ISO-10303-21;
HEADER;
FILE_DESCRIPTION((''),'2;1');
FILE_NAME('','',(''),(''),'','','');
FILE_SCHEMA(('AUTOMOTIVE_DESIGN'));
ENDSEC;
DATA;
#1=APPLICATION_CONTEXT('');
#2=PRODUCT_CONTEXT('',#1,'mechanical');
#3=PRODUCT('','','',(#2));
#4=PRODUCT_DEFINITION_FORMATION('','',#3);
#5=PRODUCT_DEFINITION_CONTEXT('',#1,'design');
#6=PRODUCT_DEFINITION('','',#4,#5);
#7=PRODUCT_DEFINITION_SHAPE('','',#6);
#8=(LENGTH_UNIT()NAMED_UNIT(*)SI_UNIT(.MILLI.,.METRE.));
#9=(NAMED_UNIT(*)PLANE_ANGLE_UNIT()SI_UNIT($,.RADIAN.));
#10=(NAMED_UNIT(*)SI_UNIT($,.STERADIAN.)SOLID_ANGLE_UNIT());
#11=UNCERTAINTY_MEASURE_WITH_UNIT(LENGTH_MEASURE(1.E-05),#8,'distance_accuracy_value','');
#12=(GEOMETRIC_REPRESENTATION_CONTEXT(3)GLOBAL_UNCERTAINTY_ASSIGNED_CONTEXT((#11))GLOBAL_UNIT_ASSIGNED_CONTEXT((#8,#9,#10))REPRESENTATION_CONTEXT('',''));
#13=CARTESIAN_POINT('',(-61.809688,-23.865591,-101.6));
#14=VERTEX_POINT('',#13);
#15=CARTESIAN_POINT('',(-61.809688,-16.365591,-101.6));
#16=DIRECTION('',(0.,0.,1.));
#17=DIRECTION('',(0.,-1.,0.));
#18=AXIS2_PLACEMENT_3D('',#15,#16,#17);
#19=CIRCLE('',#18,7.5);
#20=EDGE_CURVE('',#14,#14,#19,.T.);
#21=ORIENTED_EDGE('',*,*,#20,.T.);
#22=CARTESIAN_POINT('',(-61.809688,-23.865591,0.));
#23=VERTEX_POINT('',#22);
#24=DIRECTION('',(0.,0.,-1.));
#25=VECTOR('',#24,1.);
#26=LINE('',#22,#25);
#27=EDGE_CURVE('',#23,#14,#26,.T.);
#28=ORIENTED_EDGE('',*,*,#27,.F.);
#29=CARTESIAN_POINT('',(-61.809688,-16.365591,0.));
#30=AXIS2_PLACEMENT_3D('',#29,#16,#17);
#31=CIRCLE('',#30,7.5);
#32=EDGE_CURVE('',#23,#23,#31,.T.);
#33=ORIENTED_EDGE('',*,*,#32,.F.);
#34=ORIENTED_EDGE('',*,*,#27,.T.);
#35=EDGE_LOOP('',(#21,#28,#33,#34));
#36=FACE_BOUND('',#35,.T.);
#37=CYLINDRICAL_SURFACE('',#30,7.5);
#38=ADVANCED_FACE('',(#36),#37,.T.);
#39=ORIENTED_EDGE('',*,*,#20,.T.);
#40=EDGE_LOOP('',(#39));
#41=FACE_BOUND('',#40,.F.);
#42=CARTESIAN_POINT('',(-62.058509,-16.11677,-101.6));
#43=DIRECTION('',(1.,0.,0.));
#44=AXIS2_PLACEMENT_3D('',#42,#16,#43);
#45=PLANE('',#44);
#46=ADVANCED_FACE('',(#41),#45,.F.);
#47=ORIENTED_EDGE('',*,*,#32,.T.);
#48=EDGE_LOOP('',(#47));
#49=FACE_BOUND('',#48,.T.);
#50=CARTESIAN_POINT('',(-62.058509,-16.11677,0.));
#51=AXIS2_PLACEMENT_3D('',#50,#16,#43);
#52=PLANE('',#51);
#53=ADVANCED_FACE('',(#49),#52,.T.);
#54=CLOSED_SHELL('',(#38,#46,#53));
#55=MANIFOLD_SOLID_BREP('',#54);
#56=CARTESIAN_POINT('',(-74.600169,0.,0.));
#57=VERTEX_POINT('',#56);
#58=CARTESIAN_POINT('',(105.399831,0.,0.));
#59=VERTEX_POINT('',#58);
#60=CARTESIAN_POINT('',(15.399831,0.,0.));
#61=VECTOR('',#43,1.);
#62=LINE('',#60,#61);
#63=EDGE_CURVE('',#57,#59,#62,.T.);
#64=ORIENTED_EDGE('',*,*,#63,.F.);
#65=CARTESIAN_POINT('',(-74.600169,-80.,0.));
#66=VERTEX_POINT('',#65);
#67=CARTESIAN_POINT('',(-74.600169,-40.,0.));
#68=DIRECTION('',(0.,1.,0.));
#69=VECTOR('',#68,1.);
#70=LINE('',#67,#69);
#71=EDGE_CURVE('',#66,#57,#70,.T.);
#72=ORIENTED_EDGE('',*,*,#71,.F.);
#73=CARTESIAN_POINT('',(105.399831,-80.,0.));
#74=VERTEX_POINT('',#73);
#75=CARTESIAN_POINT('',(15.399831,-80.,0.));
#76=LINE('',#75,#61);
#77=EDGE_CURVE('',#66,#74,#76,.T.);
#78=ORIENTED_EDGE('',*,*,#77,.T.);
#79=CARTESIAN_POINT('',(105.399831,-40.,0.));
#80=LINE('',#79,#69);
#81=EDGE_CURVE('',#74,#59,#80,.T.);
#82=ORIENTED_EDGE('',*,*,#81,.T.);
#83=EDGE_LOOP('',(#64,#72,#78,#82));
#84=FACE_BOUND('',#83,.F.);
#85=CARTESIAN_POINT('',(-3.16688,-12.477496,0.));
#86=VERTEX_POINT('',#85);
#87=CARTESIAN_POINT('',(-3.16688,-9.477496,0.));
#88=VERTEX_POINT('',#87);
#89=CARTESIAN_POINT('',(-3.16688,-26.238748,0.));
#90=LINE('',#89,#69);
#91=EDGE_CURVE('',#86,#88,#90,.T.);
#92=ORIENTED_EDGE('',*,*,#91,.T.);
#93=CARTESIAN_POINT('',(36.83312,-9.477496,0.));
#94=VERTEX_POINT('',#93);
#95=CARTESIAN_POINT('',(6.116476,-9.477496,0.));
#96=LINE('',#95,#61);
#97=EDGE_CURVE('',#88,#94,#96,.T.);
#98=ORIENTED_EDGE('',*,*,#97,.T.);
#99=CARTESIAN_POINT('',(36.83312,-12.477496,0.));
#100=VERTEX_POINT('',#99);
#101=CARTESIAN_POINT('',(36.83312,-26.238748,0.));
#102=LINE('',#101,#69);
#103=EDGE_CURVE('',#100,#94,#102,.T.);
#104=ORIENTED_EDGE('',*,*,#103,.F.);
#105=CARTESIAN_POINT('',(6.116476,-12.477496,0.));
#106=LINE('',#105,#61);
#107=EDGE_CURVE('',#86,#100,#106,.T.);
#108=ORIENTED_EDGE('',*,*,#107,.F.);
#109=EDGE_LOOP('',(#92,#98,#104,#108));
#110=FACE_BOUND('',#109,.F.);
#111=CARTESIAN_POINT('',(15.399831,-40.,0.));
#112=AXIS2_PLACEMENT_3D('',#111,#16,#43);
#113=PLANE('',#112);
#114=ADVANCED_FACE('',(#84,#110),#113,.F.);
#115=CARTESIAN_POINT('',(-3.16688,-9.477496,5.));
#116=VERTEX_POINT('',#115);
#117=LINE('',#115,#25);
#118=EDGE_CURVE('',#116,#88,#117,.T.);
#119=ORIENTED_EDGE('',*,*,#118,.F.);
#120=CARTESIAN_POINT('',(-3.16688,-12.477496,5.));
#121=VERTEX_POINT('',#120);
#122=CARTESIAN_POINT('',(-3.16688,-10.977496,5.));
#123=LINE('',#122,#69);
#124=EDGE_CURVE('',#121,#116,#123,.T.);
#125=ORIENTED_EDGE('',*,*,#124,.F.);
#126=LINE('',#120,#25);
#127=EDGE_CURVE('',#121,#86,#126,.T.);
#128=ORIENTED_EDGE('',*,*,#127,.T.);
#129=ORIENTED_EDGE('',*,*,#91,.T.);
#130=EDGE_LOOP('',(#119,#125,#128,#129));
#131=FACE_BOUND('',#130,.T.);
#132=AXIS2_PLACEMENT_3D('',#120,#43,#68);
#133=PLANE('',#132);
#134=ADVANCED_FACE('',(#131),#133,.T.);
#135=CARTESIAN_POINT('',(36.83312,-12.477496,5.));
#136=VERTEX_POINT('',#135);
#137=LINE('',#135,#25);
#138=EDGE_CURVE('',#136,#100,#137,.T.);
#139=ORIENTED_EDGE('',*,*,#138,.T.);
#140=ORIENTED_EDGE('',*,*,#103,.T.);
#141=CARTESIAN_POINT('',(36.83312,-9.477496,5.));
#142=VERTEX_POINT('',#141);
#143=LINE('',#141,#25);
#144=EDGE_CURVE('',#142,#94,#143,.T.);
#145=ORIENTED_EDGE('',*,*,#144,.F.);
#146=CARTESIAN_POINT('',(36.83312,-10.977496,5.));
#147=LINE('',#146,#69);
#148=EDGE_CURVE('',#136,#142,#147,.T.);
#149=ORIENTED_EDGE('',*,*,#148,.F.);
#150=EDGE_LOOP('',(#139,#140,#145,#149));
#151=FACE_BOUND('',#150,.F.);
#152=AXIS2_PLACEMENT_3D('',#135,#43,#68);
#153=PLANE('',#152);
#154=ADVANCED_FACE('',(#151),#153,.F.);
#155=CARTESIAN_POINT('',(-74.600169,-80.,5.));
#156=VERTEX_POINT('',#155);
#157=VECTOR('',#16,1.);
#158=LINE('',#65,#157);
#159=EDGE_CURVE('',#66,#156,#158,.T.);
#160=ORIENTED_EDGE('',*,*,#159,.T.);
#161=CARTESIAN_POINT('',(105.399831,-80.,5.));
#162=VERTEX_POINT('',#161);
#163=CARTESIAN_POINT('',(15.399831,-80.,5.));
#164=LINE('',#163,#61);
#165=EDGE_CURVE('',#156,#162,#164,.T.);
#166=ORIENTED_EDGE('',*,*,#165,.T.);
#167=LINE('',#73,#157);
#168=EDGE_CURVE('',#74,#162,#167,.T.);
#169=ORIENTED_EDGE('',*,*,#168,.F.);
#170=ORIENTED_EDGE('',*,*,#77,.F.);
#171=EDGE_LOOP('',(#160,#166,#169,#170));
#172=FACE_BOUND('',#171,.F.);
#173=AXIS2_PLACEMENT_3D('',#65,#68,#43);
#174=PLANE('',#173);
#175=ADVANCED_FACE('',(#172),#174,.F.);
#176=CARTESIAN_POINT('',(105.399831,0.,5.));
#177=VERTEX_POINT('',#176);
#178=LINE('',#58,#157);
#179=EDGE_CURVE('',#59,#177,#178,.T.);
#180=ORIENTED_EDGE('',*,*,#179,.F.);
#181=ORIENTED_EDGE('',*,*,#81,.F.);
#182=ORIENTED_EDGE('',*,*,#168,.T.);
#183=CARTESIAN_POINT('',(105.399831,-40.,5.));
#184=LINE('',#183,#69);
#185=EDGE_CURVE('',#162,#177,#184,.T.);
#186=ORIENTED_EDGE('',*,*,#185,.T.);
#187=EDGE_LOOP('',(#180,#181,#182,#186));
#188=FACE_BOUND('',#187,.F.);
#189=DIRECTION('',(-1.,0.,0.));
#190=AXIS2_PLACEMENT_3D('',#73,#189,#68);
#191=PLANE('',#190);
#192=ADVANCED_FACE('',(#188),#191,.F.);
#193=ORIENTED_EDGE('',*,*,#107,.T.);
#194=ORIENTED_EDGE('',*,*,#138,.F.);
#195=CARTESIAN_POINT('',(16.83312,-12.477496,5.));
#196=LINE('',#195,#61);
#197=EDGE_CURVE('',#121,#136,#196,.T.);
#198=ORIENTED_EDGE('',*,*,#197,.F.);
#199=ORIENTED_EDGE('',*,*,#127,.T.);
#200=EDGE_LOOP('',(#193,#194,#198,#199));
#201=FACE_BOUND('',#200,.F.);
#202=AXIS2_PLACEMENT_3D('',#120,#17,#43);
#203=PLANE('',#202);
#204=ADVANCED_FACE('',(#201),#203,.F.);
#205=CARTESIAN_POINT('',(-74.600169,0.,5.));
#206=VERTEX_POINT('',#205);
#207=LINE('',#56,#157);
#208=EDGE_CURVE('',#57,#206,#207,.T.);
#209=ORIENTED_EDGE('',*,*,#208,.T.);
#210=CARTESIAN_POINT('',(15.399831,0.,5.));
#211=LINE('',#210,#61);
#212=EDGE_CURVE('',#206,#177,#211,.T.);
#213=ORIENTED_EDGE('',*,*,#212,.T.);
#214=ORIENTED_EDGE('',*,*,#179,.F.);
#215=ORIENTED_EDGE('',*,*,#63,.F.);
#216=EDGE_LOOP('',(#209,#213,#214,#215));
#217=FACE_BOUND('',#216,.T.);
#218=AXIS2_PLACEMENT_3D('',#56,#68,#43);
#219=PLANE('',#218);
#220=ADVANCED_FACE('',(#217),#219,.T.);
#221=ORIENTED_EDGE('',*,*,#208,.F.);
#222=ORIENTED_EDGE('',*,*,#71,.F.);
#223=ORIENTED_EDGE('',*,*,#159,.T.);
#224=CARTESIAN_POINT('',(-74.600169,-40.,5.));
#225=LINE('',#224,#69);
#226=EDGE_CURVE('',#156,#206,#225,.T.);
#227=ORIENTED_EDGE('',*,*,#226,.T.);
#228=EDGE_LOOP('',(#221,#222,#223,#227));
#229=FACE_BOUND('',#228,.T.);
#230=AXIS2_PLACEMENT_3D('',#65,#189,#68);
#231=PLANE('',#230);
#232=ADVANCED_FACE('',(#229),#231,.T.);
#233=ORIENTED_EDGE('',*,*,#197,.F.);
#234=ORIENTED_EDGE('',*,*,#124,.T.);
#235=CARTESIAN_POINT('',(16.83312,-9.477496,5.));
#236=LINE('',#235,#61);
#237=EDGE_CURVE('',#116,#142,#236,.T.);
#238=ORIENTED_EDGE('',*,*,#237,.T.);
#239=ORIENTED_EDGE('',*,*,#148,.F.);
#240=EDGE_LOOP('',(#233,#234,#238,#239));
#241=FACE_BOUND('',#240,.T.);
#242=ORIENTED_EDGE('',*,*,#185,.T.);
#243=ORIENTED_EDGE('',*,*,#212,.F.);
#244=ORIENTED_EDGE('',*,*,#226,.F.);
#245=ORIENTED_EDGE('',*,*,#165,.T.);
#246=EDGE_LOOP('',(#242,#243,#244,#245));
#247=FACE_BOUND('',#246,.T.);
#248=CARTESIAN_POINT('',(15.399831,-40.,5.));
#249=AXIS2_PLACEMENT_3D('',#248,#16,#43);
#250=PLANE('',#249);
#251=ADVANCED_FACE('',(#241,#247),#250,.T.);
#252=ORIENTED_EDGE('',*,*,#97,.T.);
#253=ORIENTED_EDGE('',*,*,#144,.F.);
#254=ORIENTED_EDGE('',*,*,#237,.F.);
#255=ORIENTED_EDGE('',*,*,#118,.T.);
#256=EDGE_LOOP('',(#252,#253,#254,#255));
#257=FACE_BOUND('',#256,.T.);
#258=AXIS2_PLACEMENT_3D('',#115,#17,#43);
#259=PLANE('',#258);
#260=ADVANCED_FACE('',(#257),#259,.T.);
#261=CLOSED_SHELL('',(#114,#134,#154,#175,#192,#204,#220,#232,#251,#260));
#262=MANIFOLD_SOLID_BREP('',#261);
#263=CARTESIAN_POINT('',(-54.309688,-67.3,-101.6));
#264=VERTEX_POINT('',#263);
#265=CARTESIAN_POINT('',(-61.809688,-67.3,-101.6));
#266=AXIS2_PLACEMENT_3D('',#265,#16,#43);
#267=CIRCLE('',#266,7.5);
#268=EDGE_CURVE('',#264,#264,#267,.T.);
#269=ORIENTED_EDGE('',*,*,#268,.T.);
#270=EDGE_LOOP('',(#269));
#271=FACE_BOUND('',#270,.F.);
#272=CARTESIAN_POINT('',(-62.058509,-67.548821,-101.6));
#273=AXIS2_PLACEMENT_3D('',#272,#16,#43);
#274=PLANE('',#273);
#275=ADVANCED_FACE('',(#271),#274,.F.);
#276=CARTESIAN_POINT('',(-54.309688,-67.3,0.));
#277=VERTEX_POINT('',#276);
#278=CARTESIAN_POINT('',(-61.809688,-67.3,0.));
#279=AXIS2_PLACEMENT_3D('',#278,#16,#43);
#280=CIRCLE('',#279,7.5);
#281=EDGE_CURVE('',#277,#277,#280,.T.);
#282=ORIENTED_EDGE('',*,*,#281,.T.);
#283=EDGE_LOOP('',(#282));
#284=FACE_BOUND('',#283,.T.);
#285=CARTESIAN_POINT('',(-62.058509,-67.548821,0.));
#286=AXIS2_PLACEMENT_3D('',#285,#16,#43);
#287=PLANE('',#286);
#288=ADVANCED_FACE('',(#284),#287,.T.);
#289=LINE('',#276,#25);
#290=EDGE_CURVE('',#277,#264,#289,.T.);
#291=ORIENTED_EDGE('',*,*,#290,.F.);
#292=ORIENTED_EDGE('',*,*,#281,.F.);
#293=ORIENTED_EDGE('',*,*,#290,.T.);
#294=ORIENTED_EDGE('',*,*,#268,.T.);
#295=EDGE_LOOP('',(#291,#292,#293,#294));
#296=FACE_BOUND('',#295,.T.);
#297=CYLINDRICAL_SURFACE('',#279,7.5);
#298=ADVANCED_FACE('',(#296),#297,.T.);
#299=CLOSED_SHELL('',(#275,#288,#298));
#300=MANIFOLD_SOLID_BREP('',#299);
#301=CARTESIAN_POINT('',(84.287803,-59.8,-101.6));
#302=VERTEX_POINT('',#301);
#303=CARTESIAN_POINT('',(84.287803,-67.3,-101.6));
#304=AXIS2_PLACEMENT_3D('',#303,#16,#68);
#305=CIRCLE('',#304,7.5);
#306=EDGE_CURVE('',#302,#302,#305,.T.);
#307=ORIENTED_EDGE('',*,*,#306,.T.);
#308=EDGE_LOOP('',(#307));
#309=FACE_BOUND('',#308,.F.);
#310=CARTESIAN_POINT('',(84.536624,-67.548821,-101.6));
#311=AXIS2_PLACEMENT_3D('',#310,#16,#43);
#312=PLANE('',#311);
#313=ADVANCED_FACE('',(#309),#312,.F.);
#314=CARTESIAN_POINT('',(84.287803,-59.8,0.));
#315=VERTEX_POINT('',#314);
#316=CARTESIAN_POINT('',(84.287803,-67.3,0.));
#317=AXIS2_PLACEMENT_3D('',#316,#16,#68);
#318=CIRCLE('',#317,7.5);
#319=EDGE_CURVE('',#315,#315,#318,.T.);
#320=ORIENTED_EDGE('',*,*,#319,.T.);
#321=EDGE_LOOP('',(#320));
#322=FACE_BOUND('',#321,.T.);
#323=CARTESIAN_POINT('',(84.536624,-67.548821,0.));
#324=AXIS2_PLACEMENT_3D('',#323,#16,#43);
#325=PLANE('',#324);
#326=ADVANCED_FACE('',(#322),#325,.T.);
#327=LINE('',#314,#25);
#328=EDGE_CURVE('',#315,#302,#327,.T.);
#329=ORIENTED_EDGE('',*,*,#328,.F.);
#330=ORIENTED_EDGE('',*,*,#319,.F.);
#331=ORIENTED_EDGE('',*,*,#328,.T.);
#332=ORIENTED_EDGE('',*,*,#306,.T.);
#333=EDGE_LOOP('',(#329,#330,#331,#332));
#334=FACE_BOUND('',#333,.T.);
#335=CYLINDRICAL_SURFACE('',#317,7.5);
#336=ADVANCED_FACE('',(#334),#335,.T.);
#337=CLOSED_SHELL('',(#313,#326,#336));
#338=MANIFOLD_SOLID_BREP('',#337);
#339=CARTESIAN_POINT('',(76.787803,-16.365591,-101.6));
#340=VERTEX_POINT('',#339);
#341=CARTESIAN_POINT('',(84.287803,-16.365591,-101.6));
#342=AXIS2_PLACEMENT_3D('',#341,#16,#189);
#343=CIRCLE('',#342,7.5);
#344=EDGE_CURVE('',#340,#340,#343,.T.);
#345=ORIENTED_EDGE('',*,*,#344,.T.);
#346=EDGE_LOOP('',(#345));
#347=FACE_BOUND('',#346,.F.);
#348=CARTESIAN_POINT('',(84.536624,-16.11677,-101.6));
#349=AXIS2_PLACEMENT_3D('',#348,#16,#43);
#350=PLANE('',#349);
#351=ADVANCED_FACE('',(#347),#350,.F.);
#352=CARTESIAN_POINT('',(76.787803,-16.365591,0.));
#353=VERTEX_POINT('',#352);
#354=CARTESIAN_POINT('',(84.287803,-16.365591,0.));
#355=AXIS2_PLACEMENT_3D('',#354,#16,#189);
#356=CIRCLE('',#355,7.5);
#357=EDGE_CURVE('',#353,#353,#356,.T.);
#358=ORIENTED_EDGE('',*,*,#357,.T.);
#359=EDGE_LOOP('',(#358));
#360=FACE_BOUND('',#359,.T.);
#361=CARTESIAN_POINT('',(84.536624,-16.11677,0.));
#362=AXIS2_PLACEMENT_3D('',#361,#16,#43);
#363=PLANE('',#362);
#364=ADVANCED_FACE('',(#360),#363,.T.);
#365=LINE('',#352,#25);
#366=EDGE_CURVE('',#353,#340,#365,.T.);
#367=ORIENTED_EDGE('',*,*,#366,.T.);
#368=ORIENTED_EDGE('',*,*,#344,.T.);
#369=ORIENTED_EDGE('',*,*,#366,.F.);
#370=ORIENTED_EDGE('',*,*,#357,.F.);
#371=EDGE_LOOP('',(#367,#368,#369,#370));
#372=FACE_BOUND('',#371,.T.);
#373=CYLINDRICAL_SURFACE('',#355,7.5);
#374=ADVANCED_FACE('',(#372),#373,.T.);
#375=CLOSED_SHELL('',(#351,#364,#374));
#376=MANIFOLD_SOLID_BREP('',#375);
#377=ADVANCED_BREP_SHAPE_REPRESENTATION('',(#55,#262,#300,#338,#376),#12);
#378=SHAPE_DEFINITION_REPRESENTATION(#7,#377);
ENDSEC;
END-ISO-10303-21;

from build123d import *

# Parameters (mm, degrees)
F1_DEPTH = 101.6
F0_W     = 180
F0_H     = 80
F2_DEPTH = 5
F3_W     = 40
F3_H     = 3
F4_DEPTH = 25.4


with BuildPart() as f1:
    # F0 (on Top) → F1 (new body)
    with BuildSketch(Plane.XY):
        with BuildLine():
            ThreePointArc((-61.8096877346, -59.8), (-67.1129885935, -72.6033008589), (-54.3096877346, -67.3))
            Line((-54.3096877346, -67.3), (-61.8096877346, -67.3))
            Line((-61.8096877346, -67.3), (-61.8096877346, -59.8))
        make_face()
        with BuildLine():
            Line((-61.8096877346, -67.3), (-54.3096877346, -67.3))
            ThreePointArc((-54.3096877346, -67.3), (-56.5063868757, -61.9966991411), (-61.8096877346, -59.8))
            Line((-61.8096877346, -59.8), (-61.8096877346, -67.3))
        make_face()
    extrude(amount=-F1_DEPTH)


with BuildPart() as f1b:
    # F0 (on Top) → F1, piece 2 (new body)
    with BuildSketch(Plane.XY):
        with BuildLine():
            Line((84.2878028534, -67.3), (76.7878028534, -67.3))
            ThreePointArc((76.7878028534, -67.3), (84.2878028534, -74.8), (91.7878028534, -67.3))
            ThreePointArc((91.7878028534, -67.3), (89.5911037123, -61.9966991411), (84.2878028534, -59.8))
            Line((84.2878028534, -59.8), (84.2878028534, -67.3))
        make_face()
        with BuildLine():
            ThreePointArc((84.2878028534, -59.8), (78.9845019945, -61.9966991411), (76.7878028534, -67.3))
            Line((76.7878028534, -67.3), (84.2878028534, -67.3))
            Line((84.2878028534, -67.3), (84.2878028534, -59.8))
        make_face()
    extrude(amount=-F1_DEPTH)


with BuildPart() as f1c:
    # F0 (on Top) → F1, piece 3 (new body)
    with BuildSketch(Plane.XY):
        with BuildLine():
            Line((84.2878028534, -16.3655914366), (84.2878028534, -23.8655914366))
            ThreePointArc((84.2878028534, -23.8655914366), (89.5911037123, -21.6688922955), (91.7878028534, -16.3655914366))
            ThreePointArc((91.7878028534, -16.3655914366), (84.2878028534, -8.8655914366), (76.7878028534, -16.3655914366))
            Line((76.7878028534, -16.3655914366), (84.2878028534, -16.3655914366))
        make_face()
        with BuildLine():
            ThreePointArc((76.7878028534, -16.3655914366), (78.9845019945, -21.6688922955), (84.2878028534, -23.8655914366))
            Line((84.2878028534, -23.8655914366), (84.2878028534, -16.3655914366))
            Line((84.2878028534, -16.3655914366), (76.7878028534, -16.3655914366))
        make_face()
    extrude(amount=-F1_DEPTH)


with BuildPart() as f1d:
    # F0 (on Top) → F1, piece 4 (new body)
    with BuildSketch(Plane.XY):
        with BuildLine():
            ThreePointArc((-54.3096877346, -16.3655914366), (-67.1129885935, -11.0622905777), (-61.8096877346, -23.8655914366))
            Line((-61.8096877346, -23.8655914366), (-61.8096877346, -16.3655914366))
            Line((-61.8096877346, -16.3655914366), (-54.3096877346, -16.3655914366))
        make_face()
        with BuildLine():
            Line((-61.8096877346, -16.3655914366), (-61.8096877346, -23.8655914366))
            ThreePointArc((-61.8096877346, -23.8655914366), (-56.5063868757, -21.6688922955), (-54.3096877346, -16.3655914366))
            Line((-54.3096877346, -16.3655914366), (-61.8096877346, -16.3655914366))
        make_face()
    extrude(amount=-F1_DEPTH)


with BuildPart() as f2:
    # F0 (on Top) → F2 (new body)
    with BuildSketch(Plane.XY):
        with Locations((15.3998310249, -40)):
            Rectangle(F0_W, F0_H)
        with BuildLine():
            Line((76.7878028534, -67.3), (-54.3096877346, -67.3))
            ThreePointArc((-54.3096877346, -67.3), (-67.1129885935, -72.6033008589), (-61.8096877346, -59.8))
            Line((-61.8096877346, -59.8), (-61.8096877346, -23.8655914366))
            ThreePointArc((-61.8096877346, -23.8655914366), (-67.1129885935, -11.0622905777), (-54.3096877346, -16.3655914366))
            Line((-54.3096877346, -16.3655914366), (76.7878028534, -16.3655914366))
            ThreePointArc((76.7878028534, -16.3655914366), (84.2878028534, -8.8655914366), (91.7878028534, -16.3655914366))
            ThreePointArc((91.7878028534, -16.3655914366), (89.5911037123, -21.6688922955), (84.2878028534, -23.8655914366))
            Line((84.2878028534, -23.8655914366), (84.2878028534, -59.8))
            ThreePointArc((84.2878028534, -59.8), (89.5911037123, -61.9966991411), (91.7878028534, -67.3))
            ThreePointArc((91.7878028534, -67.3), (84.2878028534, -74.8), (76.7878028534, -67.3))
        make_face(mode=Mode.SUBTRACT)
        with BuildLine():
            ThreePointArc((-54.3096877346, -16.3655914366), (-67.1129885935, -11.0622905777), (-61.8096877346, -23.8655914366))
            Line((-61.8096877346, -23.8655914366), (-61.8096877346, -16.3655914366))
            Line((-61.8096877346, -16.3655914366), (-54.3096877346, -16.3655914366))
        make_face()
        with BuildLine():
            ThreePointArc((76.7878028534, -16.3655914366), (78.9845019945, -21.6688922955), (84.2878028534, -23.8655914366))
            Line((84.2878028534, -23.8655914366), (84.2878028534, -16.3655914366))
            Line((84.2878028534, -16.3655914366), (76.7878028534, -16.3655914366))
        make_face()
        with BuildLine():
            Line((84.2878028534, -67.3), (76.7878028534, -67.3))
            ThreePointArc((76.7878028534, -67.3), (84.2878028534, -74.8), (91.7878028534, -67.3))
            ThreePointArc((91.7878028534, -67.3), (89.5911037123, -61.9966991411), (84.2878028534, -59.8))
            Line((84.2878028534, -59.8), (84.2878028534, -67.3))
        make_face()
        with BuildLine():
            Line((-61.8096877346, -67.3), (-54.3096877346, -67.3))
            ThreePointArc((-54.3096877346, -67.3), (-56.5063868757, -61.9966991411), (-61.8096877346, -59.8))
            Line((-61.8096877346, -59.8), (-61.8096877346, -67.3))
        make_face()
        with BuildLine():
            Line((84.2878028534, -16.3655914366), (84.2878028534, -23.8655914366))
            ThreePointArc((84.2878028534, -23.8655914366), (89.5911037123, -21.6688922955), (91.7878028534, -16.3655914366))
            ThreePointArc((91.7878028534, -16.3655914366), (84.2878028534, -8.8655914366), (76.7878028534, -16.3655914366))
            Line((76.7878028534, -16.3655914366), (84.2878028534, -16.3655914366))
        make_face()
        with BuildLine():
            ThreePointArc((-61.8096877346, -59.8), (-67.1129885935, -72.6033008589), (-54.3096877346, -67.3))
            Line((-54.3096877346, -67.3), (-61.8096877346, -67.3))
            Line((-61.8096877346, -67.3), (-61.8096877346, -59.8))
        make_face()
        with BuildLine():
            Line((-61.8096877346, -16.3655914366), (-61.8096877346, -23.8655914366))
            ThreePointArc((-61.8096877346, -23.8655914366), (-56.5063868757, -21.6688922955), (-54.3096877346, -16.3655914366))
            Line((-54.3096877346, -16.3655914366), (-61.8096877346, -16.3655914366))
        make_face()
        with BuildLine():
            ThreePointArc((84.2878028534, -59.8), (78.9845019945, -61.9966991411), (76.7878028534, -67.3))
            Line((76.7878028534, -67.3), (84.2878028534, -67.3))
            Line((84.2878028534, -67.3), (84.2878028534, -59.8))
        make_face()
        with BuildLine():
            ThreePointArc((-61.8096877346, -59.8), (-56.5063868757, -61.9966991411), (-54.3096877346, -67.3))
            Line((-54.3096877346, -67.3), (76.7878028534, -67.3))
            ThreePointArc((76.7878028534, -67.3), (78.9845019945, -61.9966991411), (84.2878028534, -59.8))
            Line((84.2878028534, -59.8), (84.2878028534, -23.8655914366))
            ThreePointArc((84.2878028534, -23.8655914366), (78.9845019945, -21.6688922955), (76.7878028534, -16.3655914366))
            Line((76.7878028534, -16.3655914366), (-54.3096877346, -16.3655914366))
            ThreePointArc((-54.3096877346, -16.3655914366), (-56.5063868757, -21.6688922955), (-61.8096877346, -23.8655914366))
            Line((-61.8096877346, -23.8655914366), (-61.8096877346, -59.8))
        make_face()
    extrude(amount=F2_DEPTH)

    # F3 (on face) → F4 (cut)
    with BuildSketch(Plane.XY.offset(5)):
        with Locations((16.8331203902, -10.9774959274)):
            Rectangle(F3_W, F3_H)
    extrude(amount=-F4_DEPTH, mode=Mode.SUBTRACT)


solid = Compound([f1.part, f1b.part, f1c.part, f1d.part, f2.part])
